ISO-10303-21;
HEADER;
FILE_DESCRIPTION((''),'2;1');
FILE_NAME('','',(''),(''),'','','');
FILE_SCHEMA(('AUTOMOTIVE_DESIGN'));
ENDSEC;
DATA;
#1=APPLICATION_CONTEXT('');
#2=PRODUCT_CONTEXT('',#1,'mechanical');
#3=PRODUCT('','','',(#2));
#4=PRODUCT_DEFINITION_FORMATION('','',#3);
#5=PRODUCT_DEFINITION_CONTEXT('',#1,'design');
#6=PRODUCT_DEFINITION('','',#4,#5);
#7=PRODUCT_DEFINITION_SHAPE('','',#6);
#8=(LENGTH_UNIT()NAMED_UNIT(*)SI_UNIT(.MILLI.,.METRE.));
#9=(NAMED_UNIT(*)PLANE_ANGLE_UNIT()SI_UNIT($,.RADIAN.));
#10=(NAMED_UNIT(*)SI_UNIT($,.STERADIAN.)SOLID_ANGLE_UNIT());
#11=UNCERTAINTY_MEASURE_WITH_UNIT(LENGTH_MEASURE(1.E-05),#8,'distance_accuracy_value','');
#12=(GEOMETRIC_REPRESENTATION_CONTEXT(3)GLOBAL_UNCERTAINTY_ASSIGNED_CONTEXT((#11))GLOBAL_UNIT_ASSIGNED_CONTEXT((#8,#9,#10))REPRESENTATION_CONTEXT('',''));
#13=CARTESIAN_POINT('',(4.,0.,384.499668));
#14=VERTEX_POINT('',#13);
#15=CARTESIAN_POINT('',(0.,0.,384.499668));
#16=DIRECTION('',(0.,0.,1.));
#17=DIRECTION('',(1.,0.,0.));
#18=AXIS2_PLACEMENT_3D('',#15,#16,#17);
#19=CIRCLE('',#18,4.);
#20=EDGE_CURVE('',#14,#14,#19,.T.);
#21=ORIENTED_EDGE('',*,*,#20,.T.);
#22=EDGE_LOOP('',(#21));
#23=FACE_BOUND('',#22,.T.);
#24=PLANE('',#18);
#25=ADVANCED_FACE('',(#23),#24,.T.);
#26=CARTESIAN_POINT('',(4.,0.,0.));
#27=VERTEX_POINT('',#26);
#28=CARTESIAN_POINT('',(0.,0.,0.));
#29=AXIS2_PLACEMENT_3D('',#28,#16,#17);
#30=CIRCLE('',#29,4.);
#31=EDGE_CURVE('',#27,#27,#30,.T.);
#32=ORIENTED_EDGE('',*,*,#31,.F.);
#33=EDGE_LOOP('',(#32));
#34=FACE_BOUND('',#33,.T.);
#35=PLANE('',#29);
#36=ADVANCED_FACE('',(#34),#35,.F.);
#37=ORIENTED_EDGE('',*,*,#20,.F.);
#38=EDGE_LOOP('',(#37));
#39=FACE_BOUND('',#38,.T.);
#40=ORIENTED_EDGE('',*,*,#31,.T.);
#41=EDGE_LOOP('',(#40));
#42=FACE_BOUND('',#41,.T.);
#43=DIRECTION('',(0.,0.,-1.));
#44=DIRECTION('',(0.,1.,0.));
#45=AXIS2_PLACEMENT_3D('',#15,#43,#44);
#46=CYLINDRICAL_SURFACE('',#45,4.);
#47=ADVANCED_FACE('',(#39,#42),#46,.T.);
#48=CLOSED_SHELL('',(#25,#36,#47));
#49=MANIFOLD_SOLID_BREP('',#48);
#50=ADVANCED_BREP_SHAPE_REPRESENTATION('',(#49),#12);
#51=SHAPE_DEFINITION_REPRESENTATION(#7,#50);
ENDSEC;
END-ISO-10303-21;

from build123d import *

# Parameters (mm, degrees)
ESQUISSE1_R = 4


with BuildPart() as part:
    # Balayage1: sweep along a path in Esquisse6
    with BuildLine(Plane(origin=(0, 0, 0), x_dir=(0, 0, -1), z_dir=(1, 0, 0))) as balayage1_path:
        Line((0, 0), (-384.499667553, 0))
    # Esquisse1 → Balayage1 (sweep)
    with BuildSketch(Plane.XY):
        Circle(ESQUISSE1_R)
    sweep(path=balayage1_path.line)


solid = part.part
